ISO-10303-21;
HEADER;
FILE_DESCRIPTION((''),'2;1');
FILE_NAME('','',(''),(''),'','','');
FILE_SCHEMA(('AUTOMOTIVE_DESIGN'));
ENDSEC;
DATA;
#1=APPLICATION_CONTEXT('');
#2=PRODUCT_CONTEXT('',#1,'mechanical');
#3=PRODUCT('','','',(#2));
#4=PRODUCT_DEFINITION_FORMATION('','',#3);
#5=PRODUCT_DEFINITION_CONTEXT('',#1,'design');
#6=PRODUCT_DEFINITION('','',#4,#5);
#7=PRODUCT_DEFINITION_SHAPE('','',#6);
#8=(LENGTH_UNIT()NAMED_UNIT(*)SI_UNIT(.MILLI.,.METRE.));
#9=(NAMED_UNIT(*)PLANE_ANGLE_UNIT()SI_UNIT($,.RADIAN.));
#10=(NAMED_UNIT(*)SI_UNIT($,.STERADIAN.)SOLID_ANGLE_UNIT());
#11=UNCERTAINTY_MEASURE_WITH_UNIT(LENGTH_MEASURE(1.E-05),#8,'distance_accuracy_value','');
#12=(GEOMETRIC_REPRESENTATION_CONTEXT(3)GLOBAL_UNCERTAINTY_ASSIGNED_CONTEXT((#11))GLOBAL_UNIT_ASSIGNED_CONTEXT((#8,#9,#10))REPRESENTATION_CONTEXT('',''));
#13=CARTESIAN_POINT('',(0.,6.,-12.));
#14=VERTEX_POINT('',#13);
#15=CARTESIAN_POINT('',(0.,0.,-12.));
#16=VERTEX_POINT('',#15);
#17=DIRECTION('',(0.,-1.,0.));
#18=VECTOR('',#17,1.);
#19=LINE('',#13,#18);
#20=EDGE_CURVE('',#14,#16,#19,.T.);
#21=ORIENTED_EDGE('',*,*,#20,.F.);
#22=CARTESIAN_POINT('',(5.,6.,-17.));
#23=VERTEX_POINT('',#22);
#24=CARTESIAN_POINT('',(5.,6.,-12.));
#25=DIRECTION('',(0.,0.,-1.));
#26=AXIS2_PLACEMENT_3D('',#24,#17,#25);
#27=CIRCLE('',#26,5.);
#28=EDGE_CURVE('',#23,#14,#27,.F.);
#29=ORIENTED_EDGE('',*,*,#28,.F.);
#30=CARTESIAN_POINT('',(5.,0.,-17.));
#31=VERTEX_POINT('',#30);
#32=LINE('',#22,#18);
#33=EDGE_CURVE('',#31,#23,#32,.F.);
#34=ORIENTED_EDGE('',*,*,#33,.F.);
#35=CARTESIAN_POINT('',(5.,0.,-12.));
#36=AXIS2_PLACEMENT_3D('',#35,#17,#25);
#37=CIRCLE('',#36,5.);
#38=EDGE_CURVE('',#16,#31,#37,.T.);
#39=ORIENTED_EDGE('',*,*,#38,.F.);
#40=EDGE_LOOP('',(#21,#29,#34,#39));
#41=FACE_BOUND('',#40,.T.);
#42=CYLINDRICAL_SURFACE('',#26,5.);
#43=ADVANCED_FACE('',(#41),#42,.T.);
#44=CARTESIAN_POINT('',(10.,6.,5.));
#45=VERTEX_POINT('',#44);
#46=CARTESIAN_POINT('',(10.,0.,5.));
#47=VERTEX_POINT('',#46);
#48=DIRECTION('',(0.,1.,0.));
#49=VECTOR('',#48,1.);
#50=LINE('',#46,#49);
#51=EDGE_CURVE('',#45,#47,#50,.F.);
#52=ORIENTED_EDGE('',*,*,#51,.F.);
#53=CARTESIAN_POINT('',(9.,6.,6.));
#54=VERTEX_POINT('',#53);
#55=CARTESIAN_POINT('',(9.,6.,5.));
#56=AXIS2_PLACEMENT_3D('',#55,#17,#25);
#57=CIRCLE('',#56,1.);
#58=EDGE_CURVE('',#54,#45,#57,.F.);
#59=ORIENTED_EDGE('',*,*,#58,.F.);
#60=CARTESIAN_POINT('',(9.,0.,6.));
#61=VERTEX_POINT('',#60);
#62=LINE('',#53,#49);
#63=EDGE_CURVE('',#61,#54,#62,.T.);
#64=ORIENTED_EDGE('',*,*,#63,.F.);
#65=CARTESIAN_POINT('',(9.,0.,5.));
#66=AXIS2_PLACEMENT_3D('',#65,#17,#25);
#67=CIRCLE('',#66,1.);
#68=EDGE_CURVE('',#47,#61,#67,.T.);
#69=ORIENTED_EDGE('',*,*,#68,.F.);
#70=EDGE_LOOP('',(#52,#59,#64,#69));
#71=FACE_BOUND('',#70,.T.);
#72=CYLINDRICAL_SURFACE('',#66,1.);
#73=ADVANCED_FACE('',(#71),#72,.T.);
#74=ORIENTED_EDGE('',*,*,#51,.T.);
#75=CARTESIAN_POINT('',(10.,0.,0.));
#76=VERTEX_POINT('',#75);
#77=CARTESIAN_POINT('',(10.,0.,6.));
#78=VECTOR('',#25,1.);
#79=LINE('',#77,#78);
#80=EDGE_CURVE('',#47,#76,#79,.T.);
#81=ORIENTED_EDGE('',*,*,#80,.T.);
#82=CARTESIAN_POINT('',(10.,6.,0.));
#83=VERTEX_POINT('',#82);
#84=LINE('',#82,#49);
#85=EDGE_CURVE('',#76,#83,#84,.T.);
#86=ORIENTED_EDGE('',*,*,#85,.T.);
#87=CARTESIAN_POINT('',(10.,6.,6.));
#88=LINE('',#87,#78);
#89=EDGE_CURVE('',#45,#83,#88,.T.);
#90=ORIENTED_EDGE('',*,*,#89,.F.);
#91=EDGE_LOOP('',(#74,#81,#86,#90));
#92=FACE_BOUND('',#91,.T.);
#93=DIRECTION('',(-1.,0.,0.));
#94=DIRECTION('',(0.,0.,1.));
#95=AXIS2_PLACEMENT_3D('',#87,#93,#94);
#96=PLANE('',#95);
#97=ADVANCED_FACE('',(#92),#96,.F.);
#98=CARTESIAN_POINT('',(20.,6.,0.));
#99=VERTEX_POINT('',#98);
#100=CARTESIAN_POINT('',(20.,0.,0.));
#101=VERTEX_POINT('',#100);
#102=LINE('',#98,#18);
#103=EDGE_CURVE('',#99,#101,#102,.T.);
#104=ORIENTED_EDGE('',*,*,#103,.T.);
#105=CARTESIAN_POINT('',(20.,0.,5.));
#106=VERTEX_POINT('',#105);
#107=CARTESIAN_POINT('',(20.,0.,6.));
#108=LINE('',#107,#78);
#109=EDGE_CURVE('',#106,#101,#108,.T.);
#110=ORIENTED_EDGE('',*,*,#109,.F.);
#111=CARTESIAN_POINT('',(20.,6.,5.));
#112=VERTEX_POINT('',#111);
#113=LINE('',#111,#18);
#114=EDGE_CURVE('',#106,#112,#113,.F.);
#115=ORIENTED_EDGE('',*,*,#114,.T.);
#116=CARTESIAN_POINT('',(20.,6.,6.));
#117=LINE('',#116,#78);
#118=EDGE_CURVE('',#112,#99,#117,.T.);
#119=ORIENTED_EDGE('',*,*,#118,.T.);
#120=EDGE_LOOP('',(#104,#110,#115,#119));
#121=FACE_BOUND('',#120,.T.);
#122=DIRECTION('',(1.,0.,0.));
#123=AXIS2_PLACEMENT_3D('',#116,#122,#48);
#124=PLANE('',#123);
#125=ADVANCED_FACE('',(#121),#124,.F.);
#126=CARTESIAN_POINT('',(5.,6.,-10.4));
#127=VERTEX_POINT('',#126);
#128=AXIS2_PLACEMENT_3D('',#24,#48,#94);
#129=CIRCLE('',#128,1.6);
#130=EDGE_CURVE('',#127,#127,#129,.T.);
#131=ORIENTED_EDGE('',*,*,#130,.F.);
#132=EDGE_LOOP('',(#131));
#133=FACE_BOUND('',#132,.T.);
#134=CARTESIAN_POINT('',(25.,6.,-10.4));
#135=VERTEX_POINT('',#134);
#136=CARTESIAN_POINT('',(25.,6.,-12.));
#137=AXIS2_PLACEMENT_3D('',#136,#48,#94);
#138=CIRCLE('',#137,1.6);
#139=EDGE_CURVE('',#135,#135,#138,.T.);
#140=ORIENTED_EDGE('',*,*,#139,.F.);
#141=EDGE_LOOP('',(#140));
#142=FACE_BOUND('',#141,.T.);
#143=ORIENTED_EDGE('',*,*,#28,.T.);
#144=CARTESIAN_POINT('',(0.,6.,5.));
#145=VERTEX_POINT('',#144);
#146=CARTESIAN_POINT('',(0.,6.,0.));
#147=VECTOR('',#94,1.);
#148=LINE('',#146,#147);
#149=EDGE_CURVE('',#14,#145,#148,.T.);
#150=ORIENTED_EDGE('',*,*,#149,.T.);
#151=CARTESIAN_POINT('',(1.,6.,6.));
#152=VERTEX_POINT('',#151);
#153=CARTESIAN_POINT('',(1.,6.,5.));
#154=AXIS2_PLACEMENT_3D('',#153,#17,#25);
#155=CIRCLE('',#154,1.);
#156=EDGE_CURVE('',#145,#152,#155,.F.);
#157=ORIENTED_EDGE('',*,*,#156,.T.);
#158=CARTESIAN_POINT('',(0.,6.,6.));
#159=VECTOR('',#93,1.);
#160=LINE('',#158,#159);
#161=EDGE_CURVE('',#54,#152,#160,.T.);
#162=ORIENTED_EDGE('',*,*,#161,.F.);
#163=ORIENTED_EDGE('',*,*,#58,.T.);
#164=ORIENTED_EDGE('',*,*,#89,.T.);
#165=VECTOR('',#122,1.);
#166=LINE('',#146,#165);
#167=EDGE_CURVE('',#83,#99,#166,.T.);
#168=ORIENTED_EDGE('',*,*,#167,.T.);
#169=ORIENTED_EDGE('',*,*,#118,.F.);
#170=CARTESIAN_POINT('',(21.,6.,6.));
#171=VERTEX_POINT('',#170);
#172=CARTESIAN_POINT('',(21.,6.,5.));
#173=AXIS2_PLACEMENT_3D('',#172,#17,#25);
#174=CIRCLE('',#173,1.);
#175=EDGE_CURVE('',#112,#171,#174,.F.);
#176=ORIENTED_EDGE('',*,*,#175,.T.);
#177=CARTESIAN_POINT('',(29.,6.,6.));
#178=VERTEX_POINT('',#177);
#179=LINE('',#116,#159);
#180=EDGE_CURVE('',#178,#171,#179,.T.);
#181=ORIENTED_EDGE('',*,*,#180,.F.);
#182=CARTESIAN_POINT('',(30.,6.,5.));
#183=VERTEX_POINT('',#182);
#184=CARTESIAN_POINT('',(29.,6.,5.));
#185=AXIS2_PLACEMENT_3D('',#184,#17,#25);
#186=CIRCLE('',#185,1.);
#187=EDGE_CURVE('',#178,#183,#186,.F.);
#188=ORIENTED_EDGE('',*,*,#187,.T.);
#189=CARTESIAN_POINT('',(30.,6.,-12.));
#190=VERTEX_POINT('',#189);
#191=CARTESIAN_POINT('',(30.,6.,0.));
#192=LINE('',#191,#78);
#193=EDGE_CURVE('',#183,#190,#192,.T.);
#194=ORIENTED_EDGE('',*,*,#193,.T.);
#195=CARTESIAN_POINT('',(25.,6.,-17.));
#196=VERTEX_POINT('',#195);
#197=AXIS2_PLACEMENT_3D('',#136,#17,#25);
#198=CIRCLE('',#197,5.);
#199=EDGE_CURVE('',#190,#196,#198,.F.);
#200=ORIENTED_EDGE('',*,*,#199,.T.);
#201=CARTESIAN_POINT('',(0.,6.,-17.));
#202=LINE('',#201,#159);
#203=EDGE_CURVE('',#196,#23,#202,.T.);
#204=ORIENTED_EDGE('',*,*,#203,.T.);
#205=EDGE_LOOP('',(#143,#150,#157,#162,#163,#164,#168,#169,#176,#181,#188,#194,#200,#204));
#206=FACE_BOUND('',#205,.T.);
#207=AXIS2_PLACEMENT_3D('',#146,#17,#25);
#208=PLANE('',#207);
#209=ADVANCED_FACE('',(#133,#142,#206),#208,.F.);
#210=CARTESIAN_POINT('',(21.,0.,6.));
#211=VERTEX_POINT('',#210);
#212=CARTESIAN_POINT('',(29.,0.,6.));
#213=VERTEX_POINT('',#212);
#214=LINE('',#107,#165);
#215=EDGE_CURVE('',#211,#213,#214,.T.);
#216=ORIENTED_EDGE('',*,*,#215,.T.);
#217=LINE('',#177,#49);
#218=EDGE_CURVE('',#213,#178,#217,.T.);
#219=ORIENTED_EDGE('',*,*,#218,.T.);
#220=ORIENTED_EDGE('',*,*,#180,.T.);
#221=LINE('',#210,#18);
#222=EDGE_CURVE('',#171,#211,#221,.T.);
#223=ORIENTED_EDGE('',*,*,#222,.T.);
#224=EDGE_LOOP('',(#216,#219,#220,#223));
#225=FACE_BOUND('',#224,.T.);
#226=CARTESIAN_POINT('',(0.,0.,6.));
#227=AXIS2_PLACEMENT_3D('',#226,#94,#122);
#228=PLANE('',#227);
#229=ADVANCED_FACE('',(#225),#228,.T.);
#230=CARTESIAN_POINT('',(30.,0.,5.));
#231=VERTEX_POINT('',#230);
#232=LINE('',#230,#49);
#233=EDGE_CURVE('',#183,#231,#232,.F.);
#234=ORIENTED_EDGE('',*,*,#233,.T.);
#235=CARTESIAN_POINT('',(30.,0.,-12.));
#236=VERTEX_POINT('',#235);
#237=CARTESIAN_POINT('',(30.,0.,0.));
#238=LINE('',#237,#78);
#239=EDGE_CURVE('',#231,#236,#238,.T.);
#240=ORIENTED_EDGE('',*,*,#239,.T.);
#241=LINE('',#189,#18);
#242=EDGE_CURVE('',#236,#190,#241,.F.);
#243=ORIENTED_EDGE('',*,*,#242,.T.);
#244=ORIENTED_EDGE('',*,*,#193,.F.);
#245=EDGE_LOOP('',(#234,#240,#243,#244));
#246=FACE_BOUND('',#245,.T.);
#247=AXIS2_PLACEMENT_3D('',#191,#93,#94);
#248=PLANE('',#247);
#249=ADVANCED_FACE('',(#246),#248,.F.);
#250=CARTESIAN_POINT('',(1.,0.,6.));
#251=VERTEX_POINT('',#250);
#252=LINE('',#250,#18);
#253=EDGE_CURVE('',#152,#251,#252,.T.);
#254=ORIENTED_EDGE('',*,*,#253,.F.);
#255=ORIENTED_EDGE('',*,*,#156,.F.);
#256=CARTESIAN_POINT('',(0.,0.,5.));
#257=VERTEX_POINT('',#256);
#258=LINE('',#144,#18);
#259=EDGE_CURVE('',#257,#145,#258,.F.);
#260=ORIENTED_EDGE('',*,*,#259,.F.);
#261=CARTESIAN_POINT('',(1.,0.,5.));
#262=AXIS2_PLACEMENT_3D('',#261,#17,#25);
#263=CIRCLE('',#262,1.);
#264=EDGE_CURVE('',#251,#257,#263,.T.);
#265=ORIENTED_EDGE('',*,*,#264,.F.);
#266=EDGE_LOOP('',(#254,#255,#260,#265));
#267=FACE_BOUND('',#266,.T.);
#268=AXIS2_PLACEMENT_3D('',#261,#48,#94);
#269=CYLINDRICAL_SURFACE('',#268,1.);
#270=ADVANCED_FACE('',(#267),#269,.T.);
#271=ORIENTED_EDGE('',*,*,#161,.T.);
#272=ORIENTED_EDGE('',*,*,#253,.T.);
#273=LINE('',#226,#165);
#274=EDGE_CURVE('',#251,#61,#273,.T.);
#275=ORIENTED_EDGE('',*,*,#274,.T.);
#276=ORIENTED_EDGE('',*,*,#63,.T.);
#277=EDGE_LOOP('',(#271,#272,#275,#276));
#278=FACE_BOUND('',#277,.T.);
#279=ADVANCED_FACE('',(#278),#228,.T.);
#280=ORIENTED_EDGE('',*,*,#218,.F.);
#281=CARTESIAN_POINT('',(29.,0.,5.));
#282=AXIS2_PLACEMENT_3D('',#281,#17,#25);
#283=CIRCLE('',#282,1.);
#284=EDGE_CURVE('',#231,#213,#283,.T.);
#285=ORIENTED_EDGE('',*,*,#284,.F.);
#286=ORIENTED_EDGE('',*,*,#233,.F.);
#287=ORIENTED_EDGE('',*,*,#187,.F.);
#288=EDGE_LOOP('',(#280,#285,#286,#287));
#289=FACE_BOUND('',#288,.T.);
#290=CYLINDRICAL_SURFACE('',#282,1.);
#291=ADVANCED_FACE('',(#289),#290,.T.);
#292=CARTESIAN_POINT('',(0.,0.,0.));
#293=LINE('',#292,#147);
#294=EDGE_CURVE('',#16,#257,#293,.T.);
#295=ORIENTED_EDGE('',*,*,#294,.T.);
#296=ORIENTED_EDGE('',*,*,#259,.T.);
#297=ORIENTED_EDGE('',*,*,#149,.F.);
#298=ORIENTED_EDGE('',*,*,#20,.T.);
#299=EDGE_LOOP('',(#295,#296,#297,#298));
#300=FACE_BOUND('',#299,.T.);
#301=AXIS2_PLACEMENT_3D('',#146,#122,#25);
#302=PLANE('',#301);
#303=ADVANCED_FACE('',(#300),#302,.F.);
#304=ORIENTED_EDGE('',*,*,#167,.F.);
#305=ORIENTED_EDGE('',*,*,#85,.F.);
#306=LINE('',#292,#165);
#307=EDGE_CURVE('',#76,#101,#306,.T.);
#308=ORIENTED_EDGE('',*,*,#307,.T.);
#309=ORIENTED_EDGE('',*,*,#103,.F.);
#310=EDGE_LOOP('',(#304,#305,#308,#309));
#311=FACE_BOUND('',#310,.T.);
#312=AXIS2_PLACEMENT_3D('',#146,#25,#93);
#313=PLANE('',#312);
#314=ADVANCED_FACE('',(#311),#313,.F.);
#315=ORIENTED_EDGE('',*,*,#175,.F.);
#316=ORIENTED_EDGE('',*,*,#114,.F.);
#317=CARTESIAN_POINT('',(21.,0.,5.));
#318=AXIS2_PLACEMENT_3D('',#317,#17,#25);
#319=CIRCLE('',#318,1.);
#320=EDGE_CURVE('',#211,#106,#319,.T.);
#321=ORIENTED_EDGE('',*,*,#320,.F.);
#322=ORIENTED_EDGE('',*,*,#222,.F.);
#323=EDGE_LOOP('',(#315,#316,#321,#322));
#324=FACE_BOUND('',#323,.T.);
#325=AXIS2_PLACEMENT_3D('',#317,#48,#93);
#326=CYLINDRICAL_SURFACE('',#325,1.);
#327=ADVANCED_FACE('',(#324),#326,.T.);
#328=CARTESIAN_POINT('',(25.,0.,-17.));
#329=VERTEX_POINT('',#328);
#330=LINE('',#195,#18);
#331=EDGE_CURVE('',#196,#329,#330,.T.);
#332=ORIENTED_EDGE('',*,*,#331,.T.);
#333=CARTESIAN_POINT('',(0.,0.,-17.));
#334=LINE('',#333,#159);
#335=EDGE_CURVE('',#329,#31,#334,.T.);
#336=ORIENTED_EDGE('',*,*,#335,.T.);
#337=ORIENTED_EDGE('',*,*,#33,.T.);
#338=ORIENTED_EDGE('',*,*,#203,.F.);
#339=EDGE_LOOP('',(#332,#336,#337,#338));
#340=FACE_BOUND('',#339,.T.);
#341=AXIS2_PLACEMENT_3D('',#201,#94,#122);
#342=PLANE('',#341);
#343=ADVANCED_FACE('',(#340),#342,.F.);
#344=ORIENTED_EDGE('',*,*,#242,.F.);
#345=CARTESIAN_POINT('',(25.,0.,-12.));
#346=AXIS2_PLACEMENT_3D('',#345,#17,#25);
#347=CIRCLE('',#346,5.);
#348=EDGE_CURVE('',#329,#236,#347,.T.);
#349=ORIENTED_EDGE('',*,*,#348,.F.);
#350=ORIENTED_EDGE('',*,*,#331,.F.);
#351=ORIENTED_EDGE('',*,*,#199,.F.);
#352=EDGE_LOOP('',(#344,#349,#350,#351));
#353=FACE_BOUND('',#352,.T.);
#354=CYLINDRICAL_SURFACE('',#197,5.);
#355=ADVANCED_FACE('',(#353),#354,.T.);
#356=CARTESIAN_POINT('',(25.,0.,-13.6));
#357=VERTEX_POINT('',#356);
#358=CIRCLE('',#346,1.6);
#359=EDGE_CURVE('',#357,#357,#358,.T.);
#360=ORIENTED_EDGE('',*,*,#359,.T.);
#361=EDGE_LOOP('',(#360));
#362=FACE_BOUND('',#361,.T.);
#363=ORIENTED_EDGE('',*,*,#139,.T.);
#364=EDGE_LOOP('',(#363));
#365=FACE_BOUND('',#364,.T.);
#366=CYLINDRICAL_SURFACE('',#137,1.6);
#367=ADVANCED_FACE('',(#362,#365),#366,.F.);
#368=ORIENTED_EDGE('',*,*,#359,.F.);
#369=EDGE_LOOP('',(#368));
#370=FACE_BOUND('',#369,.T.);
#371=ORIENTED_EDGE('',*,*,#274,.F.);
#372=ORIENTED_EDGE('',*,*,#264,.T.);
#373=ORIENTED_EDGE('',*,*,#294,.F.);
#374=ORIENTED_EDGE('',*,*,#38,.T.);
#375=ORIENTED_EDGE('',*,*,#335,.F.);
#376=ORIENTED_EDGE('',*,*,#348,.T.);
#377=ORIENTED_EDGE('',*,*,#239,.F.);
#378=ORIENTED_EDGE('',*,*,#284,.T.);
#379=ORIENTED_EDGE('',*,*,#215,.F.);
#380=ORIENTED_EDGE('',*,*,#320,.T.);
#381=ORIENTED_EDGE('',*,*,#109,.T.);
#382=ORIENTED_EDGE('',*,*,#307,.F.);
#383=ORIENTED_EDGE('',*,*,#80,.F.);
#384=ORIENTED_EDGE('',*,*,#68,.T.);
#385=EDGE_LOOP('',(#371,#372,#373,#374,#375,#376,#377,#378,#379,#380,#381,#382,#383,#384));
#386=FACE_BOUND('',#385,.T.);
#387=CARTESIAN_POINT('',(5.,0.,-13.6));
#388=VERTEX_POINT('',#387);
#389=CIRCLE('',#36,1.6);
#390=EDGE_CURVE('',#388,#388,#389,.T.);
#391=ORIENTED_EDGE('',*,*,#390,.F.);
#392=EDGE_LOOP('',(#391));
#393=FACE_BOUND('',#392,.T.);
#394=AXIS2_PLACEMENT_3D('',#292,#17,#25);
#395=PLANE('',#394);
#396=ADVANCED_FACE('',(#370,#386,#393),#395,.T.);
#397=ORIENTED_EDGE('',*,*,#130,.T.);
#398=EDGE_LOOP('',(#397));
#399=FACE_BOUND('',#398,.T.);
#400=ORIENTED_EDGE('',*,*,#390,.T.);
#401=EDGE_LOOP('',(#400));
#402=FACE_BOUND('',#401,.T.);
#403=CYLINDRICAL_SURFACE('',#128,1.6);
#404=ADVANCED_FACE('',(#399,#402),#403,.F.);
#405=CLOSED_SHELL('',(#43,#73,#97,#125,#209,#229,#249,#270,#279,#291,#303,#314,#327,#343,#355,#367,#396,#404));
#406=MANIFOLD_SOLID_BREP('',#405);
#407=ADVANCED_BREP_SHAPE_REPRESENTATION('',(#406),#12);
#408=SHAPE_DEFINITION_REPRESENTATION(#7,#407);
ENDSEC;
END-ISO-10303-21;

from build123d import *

# Parameters (mm, degrees)
SKETCH1_W              = 30
SKETCH1_H              = 17
BOSS_EXTRUDE1_DEPTH    = 6
SKETCH234_W            = 10
SKETCH234_H            = 6
BOSS_EXTRUDE234_DEPTH  = 6
FILLET134_R            = 1
SKETCH2341_W           = 10
SKETCH2341_H           = 6
BOSS_EXTRUDE2341_DEPTH = 6
FILLET1341_R           = 1
M3_CLEARANCE_HOLE1_D   = 3.2
FILLET1342_R           = 5


with BuildPart() as part:
    # Sketch1 → Boss-Extrude1 (new body)
    with BuildSketch(Plane(origin=(0, 0, 0), x_dir=(1, 0, 0), z_dir=(0, 1, 0))):
        with Locations((15, 8.5)):
            Rectangle(SKETCH1_W, SKETCH1_H)
    extrude(amount=BOSS_EXTRUDE1_DEPTH)

    # Sketch234 → Boss-Extrude234 (add)
    with BuildSketch(Plane(origin=(4.232221392, 0, 0), x_dir=(1, 0, 0), z_dir=(0, 0, 1))):
        with Locations((0.767778608, 3)):
            Rectangle(SKETCH234_W, SKETCH234_H)
    extrude(amount=BOSS_EXTRUDE234_DEPTH)

    # Fillet134
    fillet134_edges = [part.edges().sort_by_distance(p)[0] for p in [
        (0, 3, 6),
        (10, 3, 6),
    ]]
    fillet(fillet134_edges, radius=FILLET134_R)

    # Sketch2341 → Boss-Extrude2341 (add)
    with BuildSketch(Plane(origin=(24.232221392, 0, 0), x_dir=(1, 0, 0), z_dir=(0, 0, 1))):
        with Locations((0.767778608, 3)):
            Rectangle(SKETCH2341_W, SKETCH2341_H)
    extrude(amount=BOSS_EXTRUDE2341_DEPTH)

    # Fillet1341
    fillet1341_edges = [part.edges().sort_by_distance(p)[0] for p in [
        (30, 3, 6),
        (20, 3, 6),
    ]]
    fillet(fillet1341_edges, radius=FILLET1341_R)

    # M3 Clearance Hole1 (through all)
    with Locations(Plane(origin=(0, 6, 0), x_dir=(1, 0, 0), z_dir=(0, 1, 0))):
        with Locations((5, 12), (25, 12)):
            Hole(M3_CLEARANCE_HOLE1_D / 2)

    # Fillet1342
    fillet1342_edges = [part.edges().sort_by_distance(p)[0] for p in [
        (0, 3, -17),
        (30, 3, -17),
    ]]
    fillet(fillet1342_edges, radius=FILLET1342_R)


solid = part.part
